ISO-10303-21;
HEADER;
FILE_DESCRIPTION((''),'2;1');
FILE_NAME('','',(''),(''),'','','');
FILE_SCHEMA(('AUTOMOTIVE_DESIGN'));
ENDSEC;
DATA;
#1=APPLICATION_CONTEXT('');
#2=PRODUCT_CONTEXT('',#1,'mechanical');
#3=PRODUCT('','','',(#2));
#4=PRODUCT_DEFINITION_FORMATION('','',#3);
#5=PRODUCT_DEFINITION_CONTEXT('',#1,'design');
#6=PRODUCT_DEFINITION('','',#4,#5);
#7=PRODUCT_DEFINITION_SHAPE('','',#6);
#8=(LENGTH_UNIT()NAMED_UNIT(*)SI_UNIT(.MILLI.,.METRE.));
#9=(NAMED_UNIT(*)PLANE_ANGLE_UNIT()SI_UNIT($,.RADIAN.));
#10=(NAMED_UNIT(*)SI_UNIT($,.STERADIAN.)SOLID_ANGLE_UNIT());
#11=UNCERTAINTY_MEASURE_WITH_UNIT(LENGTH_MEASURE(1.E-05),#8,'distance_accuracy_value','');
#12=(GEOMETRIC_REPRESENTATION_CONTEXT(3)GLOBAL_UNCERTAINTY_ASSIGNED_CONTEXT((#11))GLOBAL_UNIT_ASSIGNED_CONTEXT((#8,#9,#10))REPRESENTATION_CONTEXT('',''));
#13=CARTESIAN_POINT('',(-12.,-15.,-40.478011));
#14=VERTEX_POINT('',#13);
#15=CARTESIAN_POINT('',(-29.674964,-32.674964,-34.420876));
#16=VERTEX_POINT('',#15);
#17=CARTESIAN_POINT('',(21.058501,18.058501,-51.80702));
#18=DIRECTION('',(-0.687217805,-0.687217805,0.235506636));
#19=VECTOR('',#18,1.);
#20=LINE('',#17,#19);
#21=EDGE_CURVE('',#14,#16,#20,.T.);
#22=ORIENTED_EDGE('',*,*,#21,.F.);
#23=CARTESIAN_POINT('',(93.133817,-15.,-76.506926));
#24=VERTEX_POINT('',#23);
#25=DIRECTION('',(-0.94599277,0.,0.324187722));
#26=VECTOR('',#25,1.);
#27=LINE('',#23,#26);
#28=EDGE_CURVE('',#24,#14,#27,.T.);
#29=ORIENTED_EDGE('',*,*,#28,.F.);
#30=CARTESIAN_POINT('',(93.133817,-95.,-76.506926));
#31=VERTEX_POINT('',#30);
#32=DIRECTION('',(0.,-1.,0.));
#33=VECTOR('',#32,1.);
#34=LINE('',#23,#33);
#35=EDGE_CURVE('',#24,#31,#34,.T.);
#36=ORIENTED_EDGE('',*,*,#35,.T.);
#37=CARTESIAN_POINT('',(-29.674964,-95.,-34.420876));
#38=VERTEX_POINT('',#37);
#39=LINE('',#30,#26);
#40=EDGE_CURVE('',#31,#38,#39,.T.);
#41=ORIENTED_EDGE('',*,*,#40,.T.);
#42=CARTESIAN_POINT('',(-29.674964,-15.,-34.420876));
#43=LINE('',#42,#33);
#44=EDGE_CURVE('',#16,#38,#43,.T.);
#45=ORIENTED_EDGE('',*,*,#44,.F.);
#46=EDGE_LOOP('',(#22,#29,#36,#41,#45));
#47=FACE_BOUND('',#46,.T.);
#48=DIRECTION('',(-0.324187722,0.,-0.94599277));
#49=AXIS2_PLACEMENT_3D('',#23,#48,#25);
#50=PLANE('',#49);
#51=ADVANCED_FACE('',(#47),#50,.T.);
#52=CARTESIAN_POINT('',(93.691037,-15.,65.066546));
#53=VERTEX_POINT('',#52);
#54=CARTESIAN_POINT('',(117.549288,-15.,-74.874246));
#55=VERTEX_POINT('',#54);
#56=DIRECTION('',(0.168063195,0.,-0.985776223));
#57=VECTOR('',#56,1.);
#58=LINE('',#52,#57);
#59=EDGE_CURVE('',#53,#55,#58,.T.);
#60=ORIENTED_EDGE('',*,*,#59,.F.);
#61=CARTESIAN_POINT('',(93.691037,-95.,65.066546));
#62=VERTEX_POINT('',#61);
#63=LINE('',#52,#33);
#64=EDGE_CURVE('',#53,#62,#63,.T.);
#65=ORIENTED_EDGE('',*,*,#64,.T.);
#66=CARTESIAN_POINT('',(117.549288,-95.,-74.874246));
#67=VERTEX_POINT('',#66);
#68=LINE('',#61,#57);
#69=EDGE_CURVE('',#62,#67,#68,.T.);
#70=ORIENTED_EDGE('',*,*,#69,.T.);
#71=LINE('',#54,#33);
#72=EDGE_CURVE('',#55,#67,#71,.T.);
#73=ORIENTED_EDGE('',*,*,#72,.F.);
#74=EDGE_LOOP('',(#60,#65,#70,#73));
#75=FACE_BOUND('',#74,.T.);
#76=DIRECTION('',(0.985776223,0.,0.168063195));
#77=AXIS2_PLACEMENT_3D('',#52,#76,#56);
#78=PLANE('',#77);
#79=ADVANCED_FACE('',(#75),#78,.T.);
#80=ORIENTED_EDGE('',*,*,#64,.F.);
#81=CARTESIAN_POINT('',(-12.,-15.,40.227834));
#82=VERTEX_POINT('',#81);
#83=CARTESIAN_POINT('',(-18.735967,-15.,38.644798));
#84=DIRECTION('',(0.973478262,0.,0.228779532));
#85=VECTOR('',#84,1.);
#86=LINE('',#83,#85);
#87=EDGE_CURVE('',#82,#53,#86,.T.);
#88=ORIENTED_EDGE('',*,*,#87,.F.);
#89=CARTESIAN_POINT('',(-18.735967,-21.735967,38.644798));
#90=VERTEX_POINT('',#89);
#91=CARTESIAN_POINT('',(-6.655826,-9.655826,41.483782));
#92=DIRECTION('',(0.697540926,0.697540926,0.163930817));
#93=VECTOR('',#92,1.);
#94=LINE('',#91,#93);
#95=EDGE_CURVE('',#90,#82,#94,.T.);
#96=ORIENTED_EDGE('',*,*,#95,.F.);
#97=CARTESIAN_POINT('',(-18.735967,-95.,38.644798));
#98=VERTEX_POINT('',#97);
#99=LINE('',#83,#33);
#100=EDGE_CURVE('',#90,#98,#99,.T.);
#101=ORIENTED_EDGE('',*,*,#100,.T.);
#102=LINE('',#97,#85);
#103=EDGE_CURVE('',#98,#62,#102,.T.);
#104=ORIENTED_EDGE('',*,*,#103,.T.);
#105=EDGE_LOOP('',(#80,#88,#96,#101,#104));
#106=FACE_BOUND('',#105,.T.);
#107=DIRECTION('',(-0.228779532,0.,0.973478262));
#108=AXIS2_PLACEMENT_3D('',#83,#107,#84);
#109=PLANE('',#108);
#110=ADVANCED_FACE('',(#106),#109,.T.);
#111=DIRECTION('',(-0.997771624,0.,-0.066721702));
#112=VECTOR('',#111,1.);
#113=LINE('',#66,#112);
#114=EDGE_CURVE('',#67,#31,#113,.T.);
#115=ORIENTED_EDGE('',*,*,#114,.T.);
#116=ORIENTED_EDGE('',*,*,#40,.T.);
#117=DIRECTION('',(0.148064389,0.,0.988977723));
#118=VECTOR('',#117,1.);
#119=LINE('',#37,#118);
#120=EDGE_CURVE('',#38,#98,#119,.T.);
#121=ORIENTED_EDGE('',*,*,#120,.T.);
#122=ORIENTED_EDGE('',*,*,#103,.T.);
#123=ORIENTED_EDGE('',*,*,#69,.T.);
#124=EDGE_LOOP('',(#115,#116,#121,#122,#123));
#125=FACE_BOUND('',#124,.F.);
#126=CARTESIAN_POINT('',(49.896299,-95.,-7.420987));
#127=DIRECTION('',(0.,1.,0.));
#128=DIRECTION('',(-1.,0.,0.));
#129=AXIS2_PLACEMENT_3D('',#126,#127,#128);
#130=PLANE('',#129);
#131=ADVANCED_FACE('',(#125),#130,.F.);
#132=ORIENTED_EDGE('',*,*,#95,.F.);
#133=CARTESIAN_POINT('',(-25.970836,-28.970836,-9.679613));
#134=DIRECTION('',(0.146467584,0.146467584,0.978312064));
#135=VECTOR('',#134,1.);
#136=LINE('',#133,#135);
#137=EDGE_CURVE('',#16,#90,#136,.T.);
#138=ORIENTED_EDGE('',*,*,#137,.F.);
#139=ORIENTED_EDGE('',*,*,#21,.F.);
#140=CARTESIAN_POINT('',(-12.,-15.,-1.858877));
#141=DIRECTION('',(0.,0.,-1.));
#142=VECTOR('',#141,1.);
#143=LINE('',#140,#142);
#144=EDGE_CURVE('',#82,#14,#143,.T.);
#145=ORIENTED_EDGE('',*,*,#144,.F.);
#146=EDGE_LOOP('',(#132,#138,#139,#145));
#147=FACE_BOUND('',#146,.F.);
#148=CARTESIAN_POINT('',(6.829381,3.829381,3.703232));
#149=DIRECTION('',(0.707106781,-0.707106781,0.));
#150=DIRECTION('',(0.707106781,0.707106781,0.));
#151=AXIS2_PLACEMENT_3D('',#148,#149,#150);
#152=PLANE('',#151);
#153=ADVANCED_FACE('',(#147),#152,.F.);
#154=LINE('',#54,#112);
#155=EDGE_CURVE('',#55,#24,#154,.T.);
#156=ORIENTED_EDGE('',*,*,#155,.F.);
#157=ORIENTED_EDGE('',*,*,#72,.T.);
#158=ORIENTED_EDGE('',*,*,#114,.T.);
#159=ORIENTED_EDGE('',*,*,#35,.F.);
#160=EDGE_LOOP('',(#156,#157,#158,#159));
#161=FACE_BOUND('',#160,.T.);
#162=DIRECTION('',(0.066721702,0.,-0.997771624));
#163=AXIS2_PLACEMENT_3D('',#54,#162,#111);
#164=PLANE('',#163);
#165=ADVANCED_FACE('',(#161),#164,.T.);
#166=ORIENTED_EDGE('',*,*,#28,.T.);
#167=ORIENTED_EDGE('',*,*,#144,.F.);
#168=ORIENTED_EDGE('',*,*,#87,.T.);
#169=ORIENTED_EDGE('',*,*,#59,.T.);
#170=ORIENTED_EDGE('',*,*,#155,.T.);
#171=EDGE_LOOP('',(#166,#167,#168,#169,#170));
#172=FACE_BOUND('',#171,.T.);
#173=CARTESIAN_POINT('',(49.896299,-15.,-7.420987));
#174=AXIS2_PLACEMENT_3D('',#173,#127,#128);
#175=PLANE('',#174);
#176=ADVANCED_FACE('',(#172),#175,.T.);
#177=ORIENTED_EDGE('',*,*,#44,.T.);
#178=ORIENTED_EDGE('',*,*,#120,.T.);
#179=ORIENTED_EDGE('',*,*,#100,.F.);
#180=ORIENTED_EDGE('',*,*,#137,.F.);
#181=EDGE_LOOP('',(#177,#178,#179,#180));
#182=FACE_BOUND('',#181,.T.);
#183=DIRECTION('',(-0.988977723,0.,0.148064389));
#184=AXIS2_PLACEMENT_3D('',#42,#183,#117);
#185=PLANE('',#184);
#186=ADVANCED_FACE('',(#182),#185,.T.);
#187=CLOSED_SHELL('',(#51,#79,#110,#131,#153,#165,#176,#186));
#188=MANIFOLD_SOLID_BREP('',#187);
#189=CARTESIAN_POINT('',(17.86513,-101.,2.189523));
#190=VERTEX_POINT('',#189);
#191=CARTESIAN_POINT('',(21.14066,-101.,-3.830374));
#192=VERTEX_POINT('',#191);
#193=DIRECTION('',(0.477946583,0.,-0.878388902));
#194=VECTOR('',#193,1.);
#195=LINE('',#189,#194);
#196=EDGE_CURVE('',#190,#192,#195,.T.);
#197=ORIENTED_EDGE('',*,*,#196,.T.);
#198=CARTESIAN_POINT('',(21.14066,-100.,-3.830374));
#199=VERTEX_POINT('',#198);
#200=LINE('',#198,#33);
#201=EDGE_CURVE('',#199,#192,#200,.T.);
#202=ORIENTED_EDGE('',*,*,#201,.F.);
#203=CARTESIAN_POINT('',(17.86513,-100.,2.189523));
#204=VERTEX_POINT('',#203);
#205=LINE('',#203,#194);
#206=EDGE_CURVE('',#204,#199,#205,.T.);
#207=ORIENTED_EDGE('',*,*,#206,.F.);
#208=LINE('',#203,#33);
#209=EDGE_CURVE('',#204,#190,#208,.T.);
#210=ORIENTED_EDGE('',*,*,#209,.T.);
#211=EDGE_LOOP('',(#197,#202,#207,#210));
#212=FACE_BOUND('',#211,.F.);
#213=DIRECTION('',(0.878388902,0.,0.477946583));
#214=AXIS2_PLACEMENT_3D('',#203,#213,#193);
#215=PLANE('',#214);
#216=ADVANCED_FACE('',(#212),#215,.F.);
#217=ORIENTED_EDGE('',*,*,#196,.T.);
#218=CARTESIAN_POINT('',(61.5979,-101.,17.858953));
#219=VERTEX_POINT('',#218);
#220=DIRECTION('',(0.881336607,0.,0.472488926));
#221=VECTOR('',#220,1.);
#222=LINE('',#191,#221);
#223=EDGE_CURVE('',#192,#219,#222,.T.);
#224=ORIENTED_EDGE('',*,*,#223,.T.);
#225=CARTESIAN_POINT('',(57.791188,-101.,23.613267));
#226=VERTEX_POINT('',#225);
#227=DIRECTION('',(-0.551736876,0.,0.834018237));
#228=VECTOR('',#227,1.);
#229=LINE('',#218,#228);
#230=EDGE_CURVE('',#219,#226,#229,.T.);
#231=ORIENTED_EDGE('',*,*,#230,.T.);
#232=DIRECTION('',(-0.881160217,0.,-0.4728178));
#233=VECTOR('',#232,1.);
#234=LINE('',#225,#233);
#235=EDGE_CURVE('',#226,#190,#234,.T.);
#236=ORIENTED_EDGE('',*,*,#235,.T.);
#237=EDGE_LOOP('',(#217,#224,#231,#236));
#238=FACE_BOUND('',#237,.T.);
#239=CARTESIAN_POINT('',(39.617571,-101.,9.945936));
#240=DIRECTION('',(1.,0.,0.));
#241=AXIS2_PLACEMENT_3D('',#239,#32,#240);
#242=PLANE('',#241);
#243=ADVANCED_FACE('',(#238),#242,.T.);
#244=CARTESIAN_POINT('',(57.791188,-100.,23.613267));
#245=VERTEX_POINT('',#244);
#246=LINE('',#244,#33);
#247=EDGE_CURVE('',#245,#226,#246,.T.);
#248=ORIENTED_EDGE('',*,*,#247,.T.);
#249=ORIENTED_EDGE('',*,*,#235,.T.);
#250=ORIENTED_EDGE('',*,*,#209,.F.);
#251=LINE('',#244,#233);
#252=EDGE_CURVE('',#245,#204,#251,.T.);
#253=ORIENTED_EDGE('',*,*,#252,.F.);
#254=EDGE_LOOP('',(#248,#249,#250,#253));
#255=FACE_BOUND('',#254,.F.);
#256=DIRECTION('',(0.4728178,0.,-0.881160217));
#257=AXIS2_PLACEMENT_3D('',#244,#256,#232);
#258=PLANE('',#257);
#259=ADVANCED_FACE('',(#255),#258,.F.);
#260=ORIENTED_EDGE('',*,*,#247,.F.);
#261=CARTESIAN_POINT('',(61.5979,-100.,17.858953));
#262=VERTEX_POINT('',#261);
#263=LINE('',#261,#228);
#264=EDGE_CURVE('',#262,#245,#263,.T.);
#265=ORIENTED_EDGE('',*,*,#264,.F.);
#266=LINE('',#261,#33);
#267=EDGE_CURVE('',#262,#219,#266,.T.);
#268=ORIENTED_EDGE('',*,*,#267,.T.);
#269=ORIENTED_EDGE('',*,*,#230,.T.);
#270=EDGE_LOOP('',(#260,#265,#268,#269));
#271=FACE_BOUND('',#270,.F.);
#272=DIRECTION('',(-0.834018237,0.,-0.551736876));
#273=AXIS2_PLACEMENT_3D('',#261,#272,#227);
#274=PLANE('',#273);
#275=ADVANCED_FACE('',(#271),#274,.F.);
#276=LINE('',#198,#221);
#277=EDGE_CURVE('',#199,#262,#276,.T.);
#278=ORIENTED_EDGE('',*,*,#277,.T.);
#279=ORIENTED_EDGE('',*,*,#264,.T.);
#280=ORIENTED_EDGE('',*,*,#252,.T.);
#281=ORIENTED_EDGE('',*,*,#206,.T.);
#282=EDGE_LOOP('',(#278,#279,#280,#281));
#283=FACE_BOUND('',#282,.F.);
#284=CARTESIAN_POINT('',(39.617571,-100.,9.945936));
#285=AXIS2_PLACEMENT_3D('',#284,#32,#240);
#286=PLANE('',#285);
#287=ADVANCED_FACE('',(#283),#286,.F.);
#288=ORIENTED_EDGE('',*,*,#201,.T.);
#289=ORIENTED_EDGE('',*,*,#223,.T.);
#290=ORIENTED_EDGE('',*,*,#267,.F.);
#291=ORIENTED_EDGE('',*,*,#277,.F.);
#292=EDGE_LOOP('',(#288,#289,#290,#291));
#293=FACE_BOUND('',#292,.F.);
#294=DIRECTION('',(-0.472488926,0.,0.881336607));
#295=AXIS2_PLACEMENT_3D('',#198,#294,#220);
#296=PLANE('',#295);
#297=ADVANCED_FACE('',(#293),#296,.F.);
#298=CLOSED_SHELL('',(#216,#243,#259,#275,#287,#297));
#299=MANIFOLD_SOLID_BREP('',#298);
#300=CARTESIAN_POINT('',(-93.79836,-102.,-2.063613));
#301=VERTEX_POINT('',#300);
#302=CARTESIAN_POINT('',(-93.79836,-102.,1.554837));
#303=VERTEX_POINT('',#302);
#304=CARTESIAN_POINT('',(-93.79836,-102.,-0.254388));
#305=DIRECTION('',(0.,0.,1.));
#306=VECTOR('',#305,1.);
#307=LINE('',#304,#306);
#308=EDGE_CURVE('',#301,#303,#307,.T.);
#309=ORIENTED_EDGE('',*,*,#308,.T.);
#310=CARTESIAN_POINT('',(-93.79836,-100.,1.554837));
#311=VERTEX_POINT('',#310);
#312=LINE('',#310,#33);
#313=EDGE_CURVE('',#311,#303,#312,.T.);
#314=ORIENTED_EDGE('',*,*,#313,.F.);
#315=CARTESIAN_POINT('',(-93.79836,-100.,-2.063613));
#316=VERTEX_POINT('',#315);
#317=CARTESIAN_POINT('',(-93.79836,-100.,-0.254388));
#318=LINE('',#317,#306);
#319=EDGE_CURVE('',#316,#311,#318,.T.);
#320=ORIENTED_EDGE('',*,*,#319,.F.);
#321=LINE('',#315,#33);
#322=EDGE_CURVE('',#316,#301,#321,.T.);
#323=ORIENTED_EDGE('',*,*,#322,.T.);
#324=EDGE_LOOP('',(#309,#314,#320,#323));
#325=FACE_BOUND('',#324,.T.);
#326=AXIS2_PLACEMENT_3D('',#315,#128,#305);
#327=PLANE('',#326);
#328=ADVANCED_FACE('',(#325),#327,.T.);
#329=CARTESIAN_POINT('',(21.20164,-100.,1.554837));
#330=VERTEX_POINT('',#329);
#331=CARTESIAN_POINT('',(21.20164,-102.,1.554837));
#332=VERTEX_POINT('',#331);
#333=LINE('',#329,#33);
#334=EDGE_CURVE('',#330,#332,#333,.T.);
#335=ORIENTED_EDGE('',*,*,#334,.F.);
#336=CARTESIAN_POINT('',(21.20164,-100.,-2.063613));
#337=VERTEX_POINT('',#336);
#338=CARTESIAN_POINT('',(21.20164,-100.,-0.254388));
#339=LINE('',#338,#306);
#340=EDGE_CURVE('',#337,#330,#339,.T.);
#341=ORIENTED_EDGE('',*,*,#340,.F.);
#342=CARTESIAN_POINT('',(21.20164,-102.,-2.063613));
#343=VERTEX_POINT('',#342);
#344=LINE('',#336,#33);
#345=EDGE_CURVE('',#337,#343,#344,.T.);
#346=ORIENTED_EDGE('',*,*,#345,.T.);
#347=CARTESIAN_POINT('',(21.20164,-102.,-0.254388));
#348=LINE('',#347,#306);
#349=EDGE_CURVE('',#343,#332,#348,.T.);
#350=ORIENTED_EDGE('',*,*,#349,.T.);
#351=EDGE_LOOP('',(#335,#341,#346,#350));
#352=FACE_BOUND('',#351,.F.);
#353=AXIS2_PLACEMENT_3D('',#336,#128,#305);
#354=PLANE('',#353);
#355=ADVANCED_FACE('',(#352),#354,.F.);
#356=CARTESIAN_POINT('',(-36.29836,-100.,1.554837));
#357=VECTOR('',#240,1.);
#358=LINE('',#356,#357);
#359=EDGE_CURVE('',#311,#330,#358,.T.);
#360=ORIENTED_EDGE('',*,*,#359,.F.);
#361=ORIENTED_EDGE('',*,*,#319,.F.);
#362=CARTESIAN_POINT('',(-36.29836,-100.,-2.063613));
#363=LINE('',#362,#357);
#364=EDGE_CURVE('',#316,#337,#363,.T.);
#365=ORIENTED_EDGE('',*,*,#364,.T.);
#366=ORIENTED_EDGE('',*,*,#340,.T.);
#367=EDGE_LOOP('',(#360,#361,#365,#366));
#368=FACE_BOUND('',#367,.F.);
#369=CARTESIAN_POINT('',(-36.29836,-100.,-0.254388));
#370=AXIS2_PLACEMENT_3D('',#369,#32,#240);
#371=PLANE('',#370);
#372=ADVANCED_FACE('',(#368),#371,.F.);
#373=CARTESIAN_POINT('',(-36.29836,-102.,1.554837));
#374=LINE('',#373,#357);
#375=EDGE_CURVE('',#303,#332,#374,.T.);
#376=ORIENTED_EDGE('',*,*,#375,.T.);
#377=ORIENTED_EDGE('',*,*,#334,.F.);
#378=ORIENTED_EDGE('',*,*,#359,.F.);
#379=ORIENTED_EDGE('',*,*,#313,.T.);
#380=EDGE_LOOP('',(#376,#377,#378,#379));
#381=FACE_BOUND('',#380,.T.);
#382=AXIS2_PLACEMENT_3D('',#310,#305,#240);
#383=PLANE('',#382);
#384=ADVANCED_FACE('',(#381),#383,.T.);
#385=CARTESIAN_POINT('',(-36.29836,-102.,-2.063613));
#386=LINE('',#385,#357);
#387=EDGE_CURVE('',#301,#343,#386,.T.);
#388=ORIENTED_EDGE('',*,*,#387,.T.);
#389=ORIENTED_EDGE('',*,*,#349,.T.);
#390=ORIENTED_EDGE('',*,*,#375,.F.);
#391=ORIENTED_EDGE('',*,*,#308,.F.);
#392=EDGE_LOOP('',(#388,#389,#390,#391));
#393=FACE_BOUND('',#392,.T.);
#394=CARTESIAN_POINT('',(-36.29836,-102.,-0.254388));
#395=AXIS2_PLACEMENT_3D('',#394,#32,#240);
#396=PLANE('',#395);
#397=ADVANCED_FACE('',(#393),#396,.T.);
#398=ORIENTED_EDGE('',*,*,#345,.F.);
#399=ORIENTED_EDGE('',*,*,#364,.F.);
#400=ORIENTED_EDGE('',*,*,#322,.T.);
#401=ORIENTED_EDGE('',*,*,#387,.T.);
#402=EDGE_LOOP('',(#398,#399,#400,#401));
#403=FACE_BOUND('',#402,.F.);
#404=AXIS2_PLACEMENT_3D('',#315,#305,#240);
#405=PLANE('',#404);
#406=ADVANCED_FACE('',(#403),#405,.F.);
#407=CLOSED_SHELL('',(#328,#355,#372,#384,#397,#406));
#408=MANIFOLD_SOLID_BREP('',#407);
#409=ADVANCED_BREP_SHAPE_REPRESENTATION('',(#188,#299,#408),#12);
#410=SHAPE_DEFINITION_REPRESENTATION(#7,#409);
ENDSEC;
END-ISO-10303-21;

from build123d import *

# Parameters (mm, degrees)
SKETCH001_W  = 115
SKETCH001_H  = 3.61845
PAD001_DEPTH = 2
PAD003_DEPTH = 1
SKETCH002_W  = 485.407379
SKETCH002_H  = 295.218536
PAD002_DEPTH = 18
PAD_DEPTH    = 80


with BuildPart() as mins:
    # Sketch001 → Pad001 (new body)
    with BuildSketch(Plane.XZ.offset(100)):
        with Locations((-36.29836, -0.254388)):
            Rectangle(SKETCH001_W, SKETCH001_H)
    extrude(amount=PAD001_DEPTH)


with BuildPart() as hours:
    # Sketch003 → Pad003 (new body)
    with BuildSketch(Plane.XZ.offset(100)):
        Polygon((17.86513, 2.189523), (21.14066, -3.830374), (61.5979, 17.858953), (57.791188, 23.613267), align=None)
    extrude(amount=PAD003_DEPTH)


with BuildPart() as wall:
    # Sketch002 → Pad002 (new body)
    with BuildSketch(Plane(origin=(0, 0, 0), x_dir=(0.707107, 0.707107, 0), z_dir=(0.707107, -0.707107, 0))):
        with Locations((9.658203, 3.703232)):
            Rectangle(SKETCH002_W, SKETCH002_H)
    extrude(amount=-PAD002_DEPTH)


with BuildPart() as wall_1:
    # Body placement: moved
    add(wall.part.moved(Location((0, -3, 0))))


with BuildPart() as cut:
    # Sketch → Pad (new body)
    with BuildSketch(Plane.XZ):
        Polygon((-18.735967, 38.644798), (93.691037, 65.066546), (117.549288, -74.874246), (93.133817, -76.506926), (-29.674964, -34.420876), align=None)
    extrude(amount=PAD_DEPTH)


with BuildPart() as cut_1:
    # Body001 placement: moved
    add(cut.part.moved(Location((0, -15, 0))))

    # Cut: cut wall
    add(wall_1.part, mode=Mode.SUBTRACT)


solid = Compound([mins.part, hours.part, cut_1.part])
